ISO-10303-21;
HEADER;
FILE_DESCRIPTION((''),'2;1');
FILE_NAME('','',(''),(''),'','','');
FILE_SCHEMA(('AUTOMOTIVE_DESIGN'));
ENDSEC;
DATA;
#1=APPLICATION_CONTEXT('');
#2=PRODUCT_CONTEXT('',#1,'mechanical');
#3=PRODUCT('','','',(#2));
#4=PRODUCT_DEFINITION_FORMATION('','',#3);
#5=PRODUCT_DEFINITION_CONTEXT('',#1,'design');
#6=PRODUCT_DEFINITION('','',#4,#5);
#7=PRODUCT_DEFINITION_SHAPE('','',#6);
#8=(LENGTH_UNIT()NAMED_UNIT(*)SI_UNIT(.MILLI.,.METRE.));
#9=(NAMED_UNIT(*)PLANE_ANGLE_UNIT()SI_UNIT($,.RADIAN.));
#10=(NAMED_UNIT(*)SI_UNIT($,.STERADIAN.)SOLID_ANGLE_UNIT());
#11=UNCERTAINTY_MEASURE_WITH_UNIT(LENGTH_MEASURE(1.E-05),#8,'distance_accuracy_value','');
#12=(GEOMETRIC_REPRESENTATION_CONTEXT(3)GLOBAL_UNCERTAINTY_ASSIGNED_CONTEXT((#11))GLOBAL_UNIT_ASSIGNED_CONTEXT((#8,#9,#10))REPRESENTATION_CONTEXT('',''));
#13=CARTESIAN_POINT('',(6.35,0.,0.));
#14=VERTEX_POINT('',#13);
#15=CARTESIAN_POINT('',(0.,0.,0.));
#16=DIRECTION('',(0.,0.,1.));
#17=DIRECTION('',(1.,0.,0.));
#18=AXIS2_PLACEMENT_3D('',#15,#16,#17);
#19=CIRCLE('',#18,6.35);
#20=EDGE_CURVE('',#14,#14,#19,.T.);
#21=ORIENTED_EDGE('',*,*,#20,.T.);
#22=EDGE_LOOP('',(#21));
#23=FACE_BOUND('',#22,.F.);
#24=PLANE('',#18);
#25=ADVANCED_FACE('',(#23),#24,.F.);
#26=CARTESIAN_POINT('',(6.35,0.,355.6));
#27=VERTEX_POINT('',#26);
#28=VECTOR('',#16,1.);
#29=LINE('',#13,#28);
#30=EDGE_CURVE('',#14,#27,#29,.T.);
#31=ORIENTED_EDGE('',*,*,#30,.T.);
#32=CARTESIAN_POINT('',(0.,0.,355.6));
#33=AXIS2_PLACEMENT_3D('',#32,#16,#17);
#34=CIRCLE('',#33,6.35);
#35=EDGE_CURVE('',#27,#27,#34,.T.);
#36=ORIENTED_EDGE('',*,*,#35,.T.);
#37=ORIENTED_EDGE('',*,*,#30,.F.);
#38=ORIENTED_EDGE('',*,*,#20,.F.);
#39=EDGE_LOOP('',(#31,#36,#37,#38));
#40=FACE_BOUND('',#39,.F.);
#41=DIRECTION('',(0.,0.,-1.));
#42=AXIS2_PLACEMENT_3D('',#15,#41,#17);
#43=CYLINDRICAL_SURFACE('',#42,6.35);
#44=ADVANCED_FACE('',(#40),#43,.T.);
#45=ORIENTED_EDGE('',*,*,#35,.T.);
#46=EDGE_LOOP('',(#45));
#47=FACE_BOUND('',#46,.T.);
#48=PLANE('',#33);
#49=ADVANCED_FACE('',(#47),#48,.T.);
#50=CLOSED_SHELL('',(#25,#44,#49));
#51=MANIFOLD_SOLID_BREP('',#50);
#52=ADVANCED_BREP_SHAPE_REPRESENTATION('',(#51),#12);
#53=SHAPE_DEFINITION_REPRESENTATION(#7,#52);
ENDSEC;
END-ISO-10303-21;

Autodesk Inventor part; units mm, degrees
ref_plane "YZ Plane" through (0, 0, 0) normal (1, 0, 0) x (0, 1, 0)
ref_plane "XZ Plane" through (0, 0, 0) normal (0, 1, 0) x (-1, 0, 0)
ref_plane "XY Plane" through (0, 0, 0) normal (0, 0, 1) x (1, 0, 0)
sketch "Sketch1" plane through (0, 0, 0) normal (0, 0, 1) x (1, 0, 0)
  circle A0 centre (0, 0) radius 6.35
  dimension "d0" = 12.7
extrude "Extrusion1" add sketch "Sketch1" along normal blind 355.6
properties part number "HalfIn Hex Standin"
